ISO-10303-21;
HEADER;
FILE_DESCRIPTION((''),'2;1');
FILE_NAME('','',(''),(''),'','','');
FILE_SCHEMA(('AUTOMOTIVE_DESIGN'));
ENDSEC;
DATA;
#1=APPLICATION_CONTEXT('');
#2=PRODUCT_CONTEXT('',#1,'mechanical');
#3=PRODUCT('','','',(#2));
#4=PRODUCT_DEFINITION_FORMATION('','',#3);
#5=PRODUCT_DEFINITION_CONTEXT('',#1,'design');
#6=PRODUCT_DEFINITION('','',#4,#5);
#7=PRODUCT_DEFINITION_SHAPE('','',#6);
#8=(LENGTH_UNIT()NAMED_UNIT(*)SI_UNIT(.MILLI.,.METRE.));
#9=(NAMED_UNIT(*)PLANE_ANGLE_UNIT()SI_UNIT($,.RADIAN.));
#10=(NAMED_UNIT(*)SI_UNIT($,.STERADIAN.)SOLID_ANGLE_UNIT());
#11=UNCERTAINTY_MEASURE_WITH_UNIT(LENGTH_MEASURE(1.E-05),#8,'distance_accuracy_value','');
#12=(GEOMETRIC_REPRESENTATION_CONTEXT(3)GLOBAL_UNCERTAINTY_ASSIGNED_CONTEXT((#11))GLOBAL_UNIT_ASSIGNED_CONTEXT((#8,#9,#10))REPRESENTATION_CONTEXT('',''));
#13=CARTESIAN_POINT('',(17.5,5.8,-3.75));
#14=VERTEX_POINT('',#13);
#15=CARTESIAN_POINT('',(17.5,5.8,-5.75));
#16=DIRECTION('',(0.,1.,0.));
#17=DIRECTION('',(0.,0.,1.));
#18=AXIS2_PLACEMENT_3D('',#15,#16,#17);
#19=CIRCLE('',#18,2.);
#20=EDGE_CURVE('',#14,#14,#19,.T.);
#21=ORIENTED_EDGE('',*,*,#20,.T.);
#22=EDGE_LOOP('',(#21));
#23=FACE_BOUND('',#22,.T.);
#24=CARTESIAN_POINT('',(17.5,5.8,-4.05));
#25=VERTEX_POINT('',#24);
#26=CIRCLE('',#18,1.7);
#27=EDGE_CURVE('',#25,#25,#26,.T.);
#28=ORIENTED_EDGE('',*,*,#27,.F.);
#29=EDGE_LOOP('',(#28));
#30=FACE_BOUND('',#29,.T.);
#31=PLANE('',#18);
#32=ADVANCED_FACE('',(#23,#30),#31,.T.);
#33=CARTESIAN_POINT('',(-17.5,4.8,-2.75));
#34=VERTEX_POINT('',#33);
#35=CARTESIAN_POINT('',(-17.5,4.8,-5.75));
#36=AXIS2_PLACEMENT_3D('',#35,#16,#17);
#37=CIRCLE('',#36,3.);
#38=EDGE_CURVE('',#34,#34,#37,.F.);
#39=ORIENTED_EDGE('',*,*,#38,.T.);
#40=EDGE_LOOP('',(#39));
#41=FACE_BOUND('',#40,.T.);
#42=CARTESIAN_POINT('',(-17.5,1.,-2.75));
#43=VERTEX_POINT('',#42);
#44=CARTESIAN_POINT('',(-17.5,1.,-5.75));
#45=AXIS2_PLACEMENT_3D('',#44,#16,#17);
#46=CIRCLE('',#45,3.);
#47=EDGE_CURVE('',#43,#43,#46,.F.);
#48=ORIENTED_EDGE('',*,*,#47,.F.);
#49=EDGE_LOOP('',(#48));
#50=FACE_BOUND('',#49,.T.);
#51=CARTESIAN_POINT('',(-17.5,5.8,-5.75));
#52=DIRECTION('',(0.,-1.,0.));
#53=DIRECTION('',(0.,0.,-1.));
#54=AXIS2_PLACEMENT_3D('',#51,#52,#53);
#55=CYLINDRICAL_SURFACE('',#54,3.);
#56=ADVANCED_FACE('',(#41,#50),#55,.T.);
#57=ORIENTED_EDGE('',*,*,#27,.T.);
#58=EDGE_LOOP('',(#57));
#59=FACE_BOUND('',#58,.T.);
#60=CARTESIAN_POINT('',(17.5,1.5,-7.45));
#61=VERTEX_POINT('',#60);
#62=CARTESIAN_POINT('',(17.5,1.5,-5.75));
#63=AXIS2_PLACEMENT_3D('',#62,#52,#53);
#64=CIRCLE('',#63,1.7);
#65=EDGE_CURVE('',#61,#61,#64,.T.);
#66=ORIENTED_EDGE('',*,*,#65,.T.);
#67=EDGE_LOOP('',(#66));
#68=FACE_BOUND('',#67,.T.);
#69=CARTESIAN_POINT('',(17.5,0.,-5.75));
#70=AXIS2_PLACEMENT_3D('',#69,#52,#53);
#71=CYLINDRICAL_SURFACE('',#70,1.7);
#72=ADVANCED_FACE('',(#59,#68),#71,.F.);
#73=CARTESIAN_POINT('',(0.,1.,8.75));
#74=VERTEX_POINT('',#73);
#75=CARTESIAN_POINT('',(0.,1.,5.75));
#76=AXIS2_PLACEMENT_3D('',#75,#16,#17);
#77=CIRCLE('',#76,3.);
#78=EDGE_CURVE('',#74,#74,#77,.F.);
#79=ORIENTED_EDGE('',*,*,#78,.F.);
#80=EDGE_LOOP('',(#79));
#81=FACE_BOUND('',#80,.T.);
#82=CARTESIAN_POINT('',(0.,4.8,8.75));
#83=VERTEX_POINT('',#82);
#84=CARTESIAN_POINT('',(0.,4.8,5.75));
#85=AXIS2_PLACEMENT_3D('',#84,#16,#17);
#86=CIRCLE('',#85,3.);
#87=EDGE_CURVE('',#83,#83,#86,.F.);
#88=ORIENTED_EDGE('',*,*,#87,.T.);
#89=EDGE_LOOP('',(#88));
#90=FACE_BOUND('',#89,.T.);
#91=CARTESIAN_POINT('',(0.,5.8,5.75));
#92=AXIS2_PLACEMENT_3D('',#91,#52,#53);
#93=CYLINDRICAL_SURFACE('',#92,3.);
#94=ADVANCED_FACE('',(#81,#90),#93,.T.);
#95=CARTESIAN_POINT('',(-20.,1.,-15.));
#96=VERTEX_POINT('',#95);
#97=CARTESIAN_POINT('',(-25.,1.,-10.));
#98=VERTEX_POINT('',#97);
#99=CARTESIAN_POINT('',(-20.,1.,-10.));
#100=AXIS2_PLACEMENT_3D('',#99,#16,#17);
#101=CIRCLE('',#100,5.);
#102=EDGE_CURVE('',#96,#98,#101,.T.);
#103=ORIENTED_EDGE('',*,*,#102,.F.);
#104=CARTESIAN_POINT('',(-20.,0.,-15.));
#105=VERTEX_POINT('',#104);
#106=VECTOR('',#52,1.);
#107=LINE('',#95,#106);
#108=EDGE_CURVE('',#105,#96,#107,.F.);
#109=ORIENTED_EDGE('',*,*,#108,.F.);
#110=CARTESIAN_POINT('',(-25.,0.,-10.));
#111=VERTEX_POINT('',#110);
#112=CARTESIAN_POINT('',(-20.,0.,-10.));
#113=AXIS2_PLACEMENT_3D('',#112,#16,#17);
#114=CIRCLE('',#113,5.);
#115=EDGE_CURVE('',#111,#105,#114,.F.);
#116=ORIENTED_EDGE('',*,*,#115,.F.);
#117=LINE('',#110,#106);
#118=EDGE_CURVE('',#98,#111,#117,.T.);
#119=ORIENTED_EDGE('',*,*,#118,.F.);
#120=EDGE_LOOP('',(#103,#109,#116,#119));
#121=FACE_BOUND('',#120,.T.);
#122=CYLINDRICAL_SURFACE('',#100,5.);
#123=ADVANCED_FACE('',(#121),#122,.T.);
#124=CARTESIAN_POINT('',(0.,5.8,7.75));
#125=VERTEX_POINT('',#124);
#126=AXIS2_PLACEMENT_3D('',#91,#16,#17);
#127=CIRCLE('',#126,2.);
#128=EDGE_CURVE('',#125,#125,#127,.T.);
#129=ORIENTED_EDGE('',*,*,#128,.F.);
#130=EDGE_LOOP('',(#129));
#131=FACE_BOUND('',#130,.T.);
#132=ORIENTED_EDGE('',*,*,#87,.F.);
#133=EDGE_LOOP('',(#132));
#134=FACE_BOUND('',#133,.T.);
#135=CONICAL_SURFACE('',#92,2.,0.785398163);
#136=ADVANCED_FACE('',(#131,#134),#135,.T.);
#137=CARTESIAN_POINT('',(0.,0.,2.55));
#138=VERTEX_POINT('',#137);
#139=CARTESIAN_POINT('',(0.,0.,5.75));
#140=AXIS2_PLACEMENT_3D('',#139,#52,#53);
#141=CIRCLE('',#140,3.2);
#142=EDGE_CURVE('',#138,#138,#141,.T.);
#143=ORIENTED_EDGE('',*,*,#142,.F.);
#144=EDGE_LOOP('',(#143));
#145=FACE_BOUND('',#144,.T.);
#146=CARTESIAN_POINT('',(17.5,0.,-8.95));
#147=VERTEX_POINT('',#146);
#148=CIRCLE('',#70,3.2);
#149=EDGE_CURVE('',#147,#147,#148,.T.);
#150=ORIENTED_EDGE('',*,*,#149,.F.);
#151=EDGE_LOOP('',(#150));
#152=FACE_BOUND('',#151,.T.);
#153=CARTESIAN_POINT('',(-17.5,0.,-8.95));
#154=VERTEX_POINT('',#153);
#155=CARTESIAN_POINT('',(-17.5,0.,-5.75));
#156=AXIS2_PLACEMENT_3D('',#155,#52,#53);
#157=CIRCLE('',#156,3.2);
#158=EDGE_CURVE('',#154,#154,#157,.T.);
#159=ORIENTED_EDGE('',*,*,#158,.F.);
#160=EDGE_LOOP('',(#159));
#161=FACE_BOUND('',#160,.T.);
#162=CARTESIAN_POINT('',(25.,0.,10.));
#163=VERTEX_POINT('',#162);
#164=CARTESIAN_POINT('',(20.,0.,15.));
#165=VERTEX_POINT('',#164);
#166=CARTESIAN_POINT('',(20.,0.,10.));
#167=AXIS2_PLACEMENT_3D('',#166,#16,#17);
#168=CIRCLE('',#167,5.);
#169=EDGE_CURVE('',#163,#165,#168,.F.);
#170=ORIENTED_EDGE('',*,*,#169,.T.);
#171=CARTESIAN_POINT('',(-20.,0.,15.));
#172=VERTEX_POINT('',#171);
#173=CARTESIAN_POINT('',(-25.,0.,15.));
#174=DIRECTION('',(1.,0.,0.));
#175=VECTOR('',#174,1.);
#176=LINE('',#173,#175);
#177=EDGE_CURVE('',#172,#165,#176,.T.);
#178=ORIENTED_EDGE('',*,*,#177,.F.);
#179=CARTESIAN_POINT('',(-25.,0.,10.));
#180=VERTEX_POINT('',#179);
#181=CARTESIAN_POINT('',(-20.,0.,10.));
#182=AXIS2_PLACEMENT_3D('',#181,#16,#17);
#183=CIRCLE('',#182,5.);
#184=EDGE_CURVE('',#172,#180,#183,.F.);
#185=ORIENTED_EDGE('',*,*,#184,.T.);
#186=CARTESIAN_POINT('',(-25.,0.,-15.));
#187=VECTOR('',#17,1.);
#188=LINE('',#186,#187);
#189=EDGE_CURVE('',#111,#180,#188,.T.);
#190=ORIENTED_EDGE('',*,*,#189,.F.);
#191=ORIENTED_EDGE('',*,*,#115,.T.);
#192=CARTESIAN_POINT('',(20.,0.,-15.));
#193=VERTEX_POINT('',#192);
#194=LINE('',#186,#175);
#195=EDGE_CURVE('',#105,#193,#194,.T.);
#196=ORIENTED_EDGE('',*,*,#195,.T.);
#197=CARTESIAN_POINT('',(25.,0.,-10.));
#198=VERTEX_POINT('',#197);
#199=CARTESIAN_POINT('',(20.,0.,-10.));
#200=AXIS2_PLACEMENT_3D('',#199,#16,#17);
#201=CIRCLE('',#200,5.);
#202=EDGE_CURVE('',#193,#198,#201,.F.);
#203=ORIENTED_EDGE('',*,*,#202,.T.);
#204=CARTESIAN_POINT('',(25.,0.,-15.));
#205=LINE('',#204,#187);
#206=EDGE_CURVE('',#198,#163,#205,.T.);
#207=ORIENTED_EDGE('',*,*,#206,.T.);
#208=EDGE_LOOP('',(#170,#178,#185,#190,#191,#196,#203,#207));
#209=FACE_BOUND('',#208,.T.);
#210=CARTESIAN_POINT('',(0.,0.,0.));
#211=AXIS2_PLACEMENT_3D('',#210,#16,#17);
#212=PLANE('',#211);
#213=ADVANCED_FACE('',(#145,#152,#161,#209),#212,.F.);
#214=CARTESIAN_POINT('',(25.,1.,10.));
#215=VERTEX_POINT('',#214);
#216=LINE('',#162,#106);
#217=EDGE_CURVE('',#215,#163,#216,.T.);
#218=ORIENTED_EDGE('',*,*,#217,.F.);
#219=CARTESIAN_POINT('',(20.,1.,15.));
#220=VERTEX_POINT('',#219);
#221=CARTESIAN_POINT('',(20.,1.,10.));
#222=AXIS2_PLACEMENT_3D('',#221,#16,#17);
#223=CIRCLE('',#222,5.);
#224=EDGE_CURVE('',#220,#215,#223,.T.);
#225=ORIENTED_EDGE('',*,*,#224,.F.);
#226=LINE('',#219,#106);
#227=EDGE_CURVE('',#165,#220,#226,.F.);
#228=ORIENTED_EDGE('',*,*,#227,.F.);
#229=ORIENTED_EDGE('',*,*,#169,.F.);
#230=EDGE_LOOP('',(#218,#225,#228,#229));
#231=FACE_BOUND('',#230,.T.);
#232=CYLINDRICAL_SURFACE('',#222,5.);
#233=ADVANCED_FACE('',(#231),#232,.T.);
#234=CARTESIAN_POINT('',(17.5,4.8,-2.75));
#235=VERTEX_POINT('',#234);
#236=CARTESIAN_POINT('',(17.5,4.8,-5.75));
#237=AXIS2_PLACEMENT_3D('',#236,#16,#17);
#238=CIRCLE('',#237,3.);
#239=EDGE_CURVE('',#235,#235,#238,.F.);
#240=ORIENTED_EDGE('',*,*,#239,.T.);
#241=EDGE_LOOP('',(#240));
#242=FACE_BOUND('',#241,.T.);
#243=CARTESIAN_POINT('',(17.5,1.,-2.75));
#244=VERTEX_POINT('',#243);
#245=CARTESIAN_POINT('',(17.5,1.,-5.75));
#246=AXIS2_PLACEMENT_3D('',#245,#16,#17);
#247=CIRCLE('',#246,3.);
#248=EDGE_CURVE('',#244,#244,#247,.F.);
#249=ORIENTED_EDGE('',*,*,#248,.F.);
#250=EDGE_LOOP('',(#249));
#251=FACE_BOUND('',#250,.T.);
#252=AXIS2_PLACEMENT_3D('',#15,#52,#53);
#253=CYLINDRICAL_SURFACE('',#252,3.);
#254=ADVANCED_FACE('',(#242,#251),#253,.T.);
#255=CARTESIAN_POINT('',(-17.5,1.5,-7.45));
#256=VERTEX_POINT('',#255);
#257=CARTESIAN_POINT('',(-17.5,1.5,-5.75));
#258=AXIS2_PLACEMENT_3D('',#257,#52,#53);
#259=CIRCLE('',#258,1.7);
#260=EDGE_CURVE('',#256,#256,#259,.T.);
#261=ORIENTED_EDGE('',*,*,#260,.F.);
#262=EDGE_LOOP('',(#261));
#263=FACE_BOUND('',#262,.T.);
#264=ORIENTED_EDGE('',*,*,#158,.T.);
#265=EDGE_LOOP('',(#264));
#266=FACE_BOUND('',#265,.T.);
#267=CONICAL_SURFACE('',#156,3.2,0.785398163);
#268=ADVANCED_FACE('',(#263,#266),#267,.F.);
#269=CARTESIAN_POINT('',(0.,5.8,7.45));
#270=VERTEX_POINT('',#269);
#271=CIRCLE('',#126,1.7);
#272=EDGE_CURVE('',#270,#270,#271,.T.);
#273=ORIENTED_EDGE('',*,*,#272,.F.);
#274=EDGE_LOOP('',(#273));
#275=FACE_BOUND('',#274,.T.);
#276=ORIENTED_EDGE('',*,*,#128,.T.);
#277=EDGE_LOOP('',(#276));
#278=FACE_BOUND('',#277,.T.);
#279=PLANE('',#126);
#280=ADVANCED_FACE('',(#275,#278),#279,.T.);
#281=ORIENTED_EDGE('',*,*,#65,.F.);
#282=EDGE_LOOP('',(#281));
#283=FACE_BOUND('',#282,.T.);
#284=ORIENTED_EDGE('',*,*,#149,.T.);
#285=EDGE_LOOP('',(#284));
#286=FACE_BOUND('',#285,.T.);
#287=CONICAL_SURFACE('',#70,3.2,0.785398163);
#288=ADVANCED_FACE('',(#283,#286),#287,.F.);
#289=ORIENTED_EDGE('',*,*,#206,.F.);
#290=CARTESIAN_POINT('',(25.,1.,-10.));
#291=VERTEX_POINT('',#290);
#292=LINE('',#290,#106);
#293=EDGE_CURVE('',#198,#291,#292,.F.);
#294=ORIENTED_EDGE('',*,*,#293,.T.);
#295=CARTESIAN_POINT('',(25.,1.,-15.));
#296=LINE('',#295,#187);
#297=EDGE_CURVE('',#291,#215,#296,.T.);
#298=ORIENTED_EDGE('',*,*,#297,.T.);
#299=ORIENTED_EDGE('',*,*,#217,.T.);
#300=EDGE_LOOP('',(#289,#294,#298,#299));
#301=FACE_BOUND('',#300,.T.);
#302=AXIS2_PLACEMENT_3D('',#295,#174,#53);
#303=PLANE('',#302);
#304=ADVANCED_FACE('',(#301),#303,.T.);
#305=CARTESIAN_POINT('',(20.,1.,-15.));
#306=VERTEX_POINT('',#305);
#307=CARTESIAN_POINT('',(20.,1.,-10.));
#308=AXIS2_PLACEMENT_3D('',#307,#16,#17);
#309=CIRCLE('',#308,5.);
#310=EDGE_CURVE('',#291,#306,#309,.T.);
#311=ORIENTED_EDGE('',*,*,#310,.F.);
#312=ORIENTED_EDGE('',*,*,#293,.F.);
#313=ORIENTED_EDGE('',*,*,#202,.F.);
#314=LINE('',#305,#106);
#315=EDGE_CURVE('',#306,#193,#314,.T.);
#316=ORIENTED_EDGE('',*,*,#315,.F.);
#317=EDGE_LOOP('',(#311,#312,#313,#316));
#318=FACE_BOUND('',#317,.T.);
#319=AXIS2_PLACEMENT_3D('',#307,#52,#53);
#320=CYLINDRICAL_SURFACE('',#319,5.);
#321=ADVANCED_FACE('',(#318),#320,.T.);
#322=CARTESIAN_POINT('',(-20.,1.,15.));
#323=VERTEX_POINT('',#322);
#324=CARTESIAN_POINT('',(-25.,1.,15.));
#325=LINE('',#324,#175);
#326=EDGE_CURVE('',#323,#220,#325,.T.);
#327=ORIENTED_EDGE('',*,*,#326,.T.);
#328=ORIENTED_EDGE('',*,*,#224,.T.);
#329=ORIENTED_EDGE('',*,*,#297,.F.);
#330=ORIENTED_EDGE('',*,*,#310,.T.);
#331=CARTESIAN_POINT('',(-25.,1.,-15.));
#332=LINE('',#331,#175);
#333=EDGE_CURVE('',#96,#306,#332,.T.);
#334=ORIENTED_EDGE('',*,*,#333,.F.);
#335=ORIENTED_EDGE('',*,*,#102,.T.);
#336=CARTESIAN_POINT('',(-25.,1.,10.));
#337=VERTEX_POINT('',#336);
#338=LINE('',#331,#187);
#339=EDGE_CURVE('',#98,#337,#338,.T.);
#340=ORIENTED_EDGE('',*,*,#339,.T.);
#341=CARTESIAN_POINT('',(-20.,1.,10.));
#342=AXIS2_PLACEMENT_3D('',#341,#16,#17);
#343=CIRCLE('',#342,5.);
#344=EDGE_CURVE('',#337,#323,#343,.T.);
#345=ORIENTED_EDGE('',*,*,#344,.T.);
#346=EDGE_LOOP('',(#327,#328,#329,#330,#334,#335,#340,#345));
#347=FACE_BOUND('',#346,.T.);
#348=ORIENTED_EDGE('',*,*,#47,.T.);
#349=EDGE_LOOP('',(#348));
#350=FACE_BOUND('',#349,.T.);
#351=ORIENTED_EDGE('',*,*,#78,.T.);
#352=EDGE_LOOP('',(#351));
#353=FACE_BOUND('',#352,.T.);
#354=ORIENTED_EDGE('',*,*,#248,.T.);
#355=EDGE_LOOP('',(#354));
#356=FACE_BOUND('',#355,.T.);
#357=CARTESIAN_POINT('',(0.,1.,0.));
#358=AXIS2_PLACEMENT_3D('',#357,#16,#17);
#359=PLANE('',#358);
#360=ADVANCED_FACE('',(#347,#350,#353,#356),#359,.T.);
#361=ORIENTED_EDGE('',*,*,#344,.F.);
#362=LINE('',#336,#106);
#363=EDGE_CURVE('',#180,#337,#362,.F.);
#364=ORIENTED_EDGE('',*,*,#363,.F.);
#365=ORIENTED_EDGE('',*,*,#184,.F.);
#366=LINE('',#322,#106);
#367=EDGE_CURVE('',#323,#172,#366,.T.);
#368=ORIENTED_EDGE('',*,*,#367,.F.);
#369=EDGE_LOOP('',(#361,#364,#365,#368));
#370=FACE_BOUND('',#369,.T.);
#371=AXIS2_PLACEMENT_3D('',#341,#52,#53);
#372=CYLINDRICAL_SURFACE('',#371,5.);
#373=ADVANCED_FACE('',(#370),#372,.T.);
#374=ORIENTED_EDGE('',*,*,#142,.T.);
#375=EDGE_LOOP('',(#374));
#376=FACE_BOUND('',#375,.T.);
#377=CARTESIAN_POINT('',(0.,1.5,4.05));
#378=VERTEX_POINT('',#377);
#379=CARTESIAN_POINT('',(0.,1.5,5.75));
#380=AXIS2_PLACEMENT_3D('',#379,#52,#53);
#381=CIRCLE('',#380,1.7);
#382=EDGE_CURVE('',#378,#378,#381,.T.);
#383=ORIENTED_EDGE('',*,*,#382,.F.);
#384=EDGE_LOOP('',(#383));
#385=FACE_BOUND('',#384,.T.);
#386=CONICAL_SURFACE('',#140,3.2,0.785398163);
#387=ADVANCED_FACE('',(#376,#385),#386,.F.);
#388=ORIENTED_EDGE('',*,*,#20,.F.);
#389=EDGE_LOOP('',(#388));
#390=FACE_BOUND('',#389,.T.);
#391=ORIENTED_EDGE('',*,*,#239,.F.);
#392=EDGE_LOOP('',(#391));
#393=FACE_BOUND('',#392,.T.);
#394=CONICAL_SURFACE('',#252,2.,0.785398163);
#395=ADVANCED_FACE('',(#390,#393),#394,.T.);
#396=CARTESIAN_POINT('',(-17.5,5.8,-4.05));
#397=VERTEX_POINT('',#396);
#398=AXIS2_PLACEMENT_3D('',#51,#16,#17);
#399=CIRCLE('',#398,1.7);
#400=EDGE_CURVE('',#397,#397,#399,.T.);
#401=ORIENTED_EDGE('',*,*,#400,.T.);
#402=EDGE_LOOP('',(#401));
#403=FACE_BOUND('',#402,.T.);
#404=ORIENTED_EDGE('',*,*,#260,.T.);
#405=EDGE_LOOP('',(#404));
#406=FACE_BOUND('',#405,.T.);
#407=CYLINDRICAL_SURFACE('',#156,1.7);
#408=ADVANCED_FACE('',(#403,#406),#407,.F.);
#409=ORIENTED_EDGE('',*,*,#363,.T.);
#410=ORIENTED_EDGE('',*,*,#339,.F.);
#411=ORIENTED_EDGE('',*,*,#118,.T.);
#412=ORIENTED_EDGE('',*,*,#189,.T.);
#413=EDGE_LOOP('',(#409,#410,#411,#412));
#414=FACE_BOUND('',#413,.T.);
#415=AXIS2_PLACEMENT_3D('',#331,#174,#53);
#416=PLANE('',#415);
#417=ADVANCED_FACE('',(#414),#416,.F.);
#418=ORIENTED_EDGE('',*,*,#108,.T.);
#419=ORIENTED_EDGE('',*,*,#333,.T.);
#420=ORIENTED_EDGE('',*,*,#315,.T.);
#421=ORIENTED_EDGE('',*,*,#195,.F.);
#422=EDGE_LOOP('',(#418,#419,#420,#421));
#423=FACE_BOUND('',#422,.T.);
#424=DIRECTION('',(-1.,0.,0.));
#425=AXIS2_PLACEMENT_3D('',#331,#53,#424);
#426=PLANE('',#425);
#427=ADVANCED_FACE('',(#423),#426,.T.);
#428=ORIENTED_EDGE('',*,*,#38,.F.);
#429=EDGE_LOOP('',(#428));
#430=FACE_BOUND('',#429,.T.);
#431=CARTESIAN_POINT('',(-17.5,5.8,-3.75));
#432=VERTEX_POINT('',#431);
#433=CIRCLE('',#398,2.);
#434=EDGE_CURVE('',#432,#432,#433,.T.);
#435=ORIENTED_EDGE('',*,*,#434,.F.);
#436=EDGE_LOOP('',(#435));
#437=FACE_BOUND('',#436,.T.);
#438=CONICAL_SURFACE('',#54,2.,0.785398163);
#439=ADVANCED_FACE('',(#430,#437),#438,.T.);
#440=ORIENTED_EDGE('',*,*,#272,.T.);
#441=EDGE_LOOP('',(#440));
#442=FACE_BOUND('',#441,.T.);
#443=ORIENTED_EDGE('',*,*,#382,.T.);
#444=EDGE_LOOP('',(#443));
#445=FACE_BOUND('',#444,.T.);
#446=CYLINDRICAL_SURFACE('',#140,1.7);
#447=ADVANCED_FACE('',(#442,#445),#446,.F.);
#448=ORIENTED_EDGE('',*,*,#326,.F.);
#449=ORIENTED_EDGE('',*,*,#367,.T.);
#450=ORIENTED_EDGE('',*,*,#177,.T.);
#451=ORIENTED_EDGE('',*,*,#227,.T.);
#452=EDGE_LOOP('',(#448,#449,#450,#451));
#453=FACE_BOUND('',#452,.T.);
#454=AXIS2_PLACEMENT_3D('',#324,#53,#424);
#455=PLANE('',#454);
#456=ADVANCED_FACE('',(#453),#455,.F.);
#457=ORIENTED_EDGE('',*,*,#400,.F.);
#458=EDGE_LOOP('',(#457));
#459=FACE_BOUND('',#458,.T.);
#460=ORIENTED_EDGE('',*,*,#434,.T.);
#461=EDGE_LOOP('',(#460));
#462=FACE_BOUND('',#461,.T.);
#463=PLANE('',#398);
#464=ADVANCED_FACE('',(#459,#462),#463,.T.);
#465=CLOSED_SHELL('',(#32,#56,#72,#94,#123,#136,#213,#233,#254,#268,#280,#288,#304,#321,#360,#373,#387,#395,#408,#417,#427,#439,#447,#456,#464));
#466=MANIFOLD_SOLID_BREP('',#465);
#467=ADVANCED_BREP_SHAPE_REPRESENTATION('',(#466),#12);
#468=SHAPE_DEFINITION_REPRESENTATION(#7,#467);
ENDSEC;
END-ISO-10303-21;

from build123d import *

# Parameters (mm, degrees)
SKETCH_1_W                   = 50
SKETCH_1_H                   = 30
EXTRUDE_1_DEPTH              = 1
SKETCH_1_3_R                 = 3
EXTRUDE_2_DEPTH              = 5.8
HOLE_WIZARD_M3_1_D           = 3.4
HOLE_WIZARD_M3_1_DEPTH       = 7.5
HOLE_WIZARD_M3_1_CSINK_D     = 6.4
HOLE_WIZARD_M3_1_CSINK_ANGLE = 90
HOLE_WIZARD_M3_1_TIP         = 1.021463052
CHAMFER_1_SIZE               = 1
FILLET_1_R                   = 5


with BuildPart() as part:
    # 草图1 → 凸台-拉伸1 (new body)
    with BuildSketch(Plane(origin=(0, 0, 0), x_dir=(1, 0, 0), z_dir=(0, 1, 0))):
        Rectangle(SKETCH_1_W, SKETCH_1_H)
    extrude(amount=EXTRUDE_1_DEPTH)

    # 草图1<3> → 凸台-拉伸2 (add)
    with BuildSketch(Plane(origin=(0, 0, 0), x_dir=(1, 0, 0), z_dir=(0, 1, 0))):
        with Locations((-17.5, 5.75)):
            Circle(SKETCH_1_3_R)
        with Locations((17.5, 5.75)):
            Circle(SKETCH_1_3_R)
        with Locations((0, -5.75)):
            Circle(SKETCH_1_3_R)
    extrude(amount=EXTRUDE_2_DEPTH)

    # M3 平头机械螺钉的锥形沉头孔1
    with Locations(Plane(origin=(0, 0, 0), x_dir=(-1, 0, 0), z_dir=(0, -1, 0))):
        with Locations((-17.5, 5.75), (0, -5.75), (17.5, 5.75)):
            CounterSinkHole(HOLE_WIZARD_M3_1_D / 2, HOLE_WIZARD_M3_1_CSINK_D / 2, depth=HOLE_WIZARD_M3_1_DEPTH, counter_sink_angle=HOLE_WIZARD_M3_1_CSINK_ANGLE)
            with Locations((0, 0, -(HOLE_WIZARD_M3_1_DEPTH + HOLE_WIZARD_M3_1_TIP / 2))):  # 118° drill point
                Cone(0, HOLE_WIZARD_M3_1_D / 2, HOLE_WIZARD_M3_1_TIP, mode=Mode.SUBTRACT)

    # 倒角1
    chamfer_1_edges = [part.edges().sort_by_distance(p)[0] for p in [
        (-20.5, 5.8, -5.75),
        (-3, 5.8, 5.75),
        (14.5, 5.8, -5.75),
    ]]
    chamfer(chamfer_1_edges, length=CHAMFER_1_SIZE)

    # 圆角1
    fillet_1_edges = [part.edges().sort_by_distance(p)[0] for p in [
        (-25, 0.5, 15),
        (-25, 0.5, -15),
        (25, 0.5, -15),
        (25, 0.5, 15),
    ]]
    fillet(fillet_1_edges, radius=FILLET_1_R)


solid = part.part
